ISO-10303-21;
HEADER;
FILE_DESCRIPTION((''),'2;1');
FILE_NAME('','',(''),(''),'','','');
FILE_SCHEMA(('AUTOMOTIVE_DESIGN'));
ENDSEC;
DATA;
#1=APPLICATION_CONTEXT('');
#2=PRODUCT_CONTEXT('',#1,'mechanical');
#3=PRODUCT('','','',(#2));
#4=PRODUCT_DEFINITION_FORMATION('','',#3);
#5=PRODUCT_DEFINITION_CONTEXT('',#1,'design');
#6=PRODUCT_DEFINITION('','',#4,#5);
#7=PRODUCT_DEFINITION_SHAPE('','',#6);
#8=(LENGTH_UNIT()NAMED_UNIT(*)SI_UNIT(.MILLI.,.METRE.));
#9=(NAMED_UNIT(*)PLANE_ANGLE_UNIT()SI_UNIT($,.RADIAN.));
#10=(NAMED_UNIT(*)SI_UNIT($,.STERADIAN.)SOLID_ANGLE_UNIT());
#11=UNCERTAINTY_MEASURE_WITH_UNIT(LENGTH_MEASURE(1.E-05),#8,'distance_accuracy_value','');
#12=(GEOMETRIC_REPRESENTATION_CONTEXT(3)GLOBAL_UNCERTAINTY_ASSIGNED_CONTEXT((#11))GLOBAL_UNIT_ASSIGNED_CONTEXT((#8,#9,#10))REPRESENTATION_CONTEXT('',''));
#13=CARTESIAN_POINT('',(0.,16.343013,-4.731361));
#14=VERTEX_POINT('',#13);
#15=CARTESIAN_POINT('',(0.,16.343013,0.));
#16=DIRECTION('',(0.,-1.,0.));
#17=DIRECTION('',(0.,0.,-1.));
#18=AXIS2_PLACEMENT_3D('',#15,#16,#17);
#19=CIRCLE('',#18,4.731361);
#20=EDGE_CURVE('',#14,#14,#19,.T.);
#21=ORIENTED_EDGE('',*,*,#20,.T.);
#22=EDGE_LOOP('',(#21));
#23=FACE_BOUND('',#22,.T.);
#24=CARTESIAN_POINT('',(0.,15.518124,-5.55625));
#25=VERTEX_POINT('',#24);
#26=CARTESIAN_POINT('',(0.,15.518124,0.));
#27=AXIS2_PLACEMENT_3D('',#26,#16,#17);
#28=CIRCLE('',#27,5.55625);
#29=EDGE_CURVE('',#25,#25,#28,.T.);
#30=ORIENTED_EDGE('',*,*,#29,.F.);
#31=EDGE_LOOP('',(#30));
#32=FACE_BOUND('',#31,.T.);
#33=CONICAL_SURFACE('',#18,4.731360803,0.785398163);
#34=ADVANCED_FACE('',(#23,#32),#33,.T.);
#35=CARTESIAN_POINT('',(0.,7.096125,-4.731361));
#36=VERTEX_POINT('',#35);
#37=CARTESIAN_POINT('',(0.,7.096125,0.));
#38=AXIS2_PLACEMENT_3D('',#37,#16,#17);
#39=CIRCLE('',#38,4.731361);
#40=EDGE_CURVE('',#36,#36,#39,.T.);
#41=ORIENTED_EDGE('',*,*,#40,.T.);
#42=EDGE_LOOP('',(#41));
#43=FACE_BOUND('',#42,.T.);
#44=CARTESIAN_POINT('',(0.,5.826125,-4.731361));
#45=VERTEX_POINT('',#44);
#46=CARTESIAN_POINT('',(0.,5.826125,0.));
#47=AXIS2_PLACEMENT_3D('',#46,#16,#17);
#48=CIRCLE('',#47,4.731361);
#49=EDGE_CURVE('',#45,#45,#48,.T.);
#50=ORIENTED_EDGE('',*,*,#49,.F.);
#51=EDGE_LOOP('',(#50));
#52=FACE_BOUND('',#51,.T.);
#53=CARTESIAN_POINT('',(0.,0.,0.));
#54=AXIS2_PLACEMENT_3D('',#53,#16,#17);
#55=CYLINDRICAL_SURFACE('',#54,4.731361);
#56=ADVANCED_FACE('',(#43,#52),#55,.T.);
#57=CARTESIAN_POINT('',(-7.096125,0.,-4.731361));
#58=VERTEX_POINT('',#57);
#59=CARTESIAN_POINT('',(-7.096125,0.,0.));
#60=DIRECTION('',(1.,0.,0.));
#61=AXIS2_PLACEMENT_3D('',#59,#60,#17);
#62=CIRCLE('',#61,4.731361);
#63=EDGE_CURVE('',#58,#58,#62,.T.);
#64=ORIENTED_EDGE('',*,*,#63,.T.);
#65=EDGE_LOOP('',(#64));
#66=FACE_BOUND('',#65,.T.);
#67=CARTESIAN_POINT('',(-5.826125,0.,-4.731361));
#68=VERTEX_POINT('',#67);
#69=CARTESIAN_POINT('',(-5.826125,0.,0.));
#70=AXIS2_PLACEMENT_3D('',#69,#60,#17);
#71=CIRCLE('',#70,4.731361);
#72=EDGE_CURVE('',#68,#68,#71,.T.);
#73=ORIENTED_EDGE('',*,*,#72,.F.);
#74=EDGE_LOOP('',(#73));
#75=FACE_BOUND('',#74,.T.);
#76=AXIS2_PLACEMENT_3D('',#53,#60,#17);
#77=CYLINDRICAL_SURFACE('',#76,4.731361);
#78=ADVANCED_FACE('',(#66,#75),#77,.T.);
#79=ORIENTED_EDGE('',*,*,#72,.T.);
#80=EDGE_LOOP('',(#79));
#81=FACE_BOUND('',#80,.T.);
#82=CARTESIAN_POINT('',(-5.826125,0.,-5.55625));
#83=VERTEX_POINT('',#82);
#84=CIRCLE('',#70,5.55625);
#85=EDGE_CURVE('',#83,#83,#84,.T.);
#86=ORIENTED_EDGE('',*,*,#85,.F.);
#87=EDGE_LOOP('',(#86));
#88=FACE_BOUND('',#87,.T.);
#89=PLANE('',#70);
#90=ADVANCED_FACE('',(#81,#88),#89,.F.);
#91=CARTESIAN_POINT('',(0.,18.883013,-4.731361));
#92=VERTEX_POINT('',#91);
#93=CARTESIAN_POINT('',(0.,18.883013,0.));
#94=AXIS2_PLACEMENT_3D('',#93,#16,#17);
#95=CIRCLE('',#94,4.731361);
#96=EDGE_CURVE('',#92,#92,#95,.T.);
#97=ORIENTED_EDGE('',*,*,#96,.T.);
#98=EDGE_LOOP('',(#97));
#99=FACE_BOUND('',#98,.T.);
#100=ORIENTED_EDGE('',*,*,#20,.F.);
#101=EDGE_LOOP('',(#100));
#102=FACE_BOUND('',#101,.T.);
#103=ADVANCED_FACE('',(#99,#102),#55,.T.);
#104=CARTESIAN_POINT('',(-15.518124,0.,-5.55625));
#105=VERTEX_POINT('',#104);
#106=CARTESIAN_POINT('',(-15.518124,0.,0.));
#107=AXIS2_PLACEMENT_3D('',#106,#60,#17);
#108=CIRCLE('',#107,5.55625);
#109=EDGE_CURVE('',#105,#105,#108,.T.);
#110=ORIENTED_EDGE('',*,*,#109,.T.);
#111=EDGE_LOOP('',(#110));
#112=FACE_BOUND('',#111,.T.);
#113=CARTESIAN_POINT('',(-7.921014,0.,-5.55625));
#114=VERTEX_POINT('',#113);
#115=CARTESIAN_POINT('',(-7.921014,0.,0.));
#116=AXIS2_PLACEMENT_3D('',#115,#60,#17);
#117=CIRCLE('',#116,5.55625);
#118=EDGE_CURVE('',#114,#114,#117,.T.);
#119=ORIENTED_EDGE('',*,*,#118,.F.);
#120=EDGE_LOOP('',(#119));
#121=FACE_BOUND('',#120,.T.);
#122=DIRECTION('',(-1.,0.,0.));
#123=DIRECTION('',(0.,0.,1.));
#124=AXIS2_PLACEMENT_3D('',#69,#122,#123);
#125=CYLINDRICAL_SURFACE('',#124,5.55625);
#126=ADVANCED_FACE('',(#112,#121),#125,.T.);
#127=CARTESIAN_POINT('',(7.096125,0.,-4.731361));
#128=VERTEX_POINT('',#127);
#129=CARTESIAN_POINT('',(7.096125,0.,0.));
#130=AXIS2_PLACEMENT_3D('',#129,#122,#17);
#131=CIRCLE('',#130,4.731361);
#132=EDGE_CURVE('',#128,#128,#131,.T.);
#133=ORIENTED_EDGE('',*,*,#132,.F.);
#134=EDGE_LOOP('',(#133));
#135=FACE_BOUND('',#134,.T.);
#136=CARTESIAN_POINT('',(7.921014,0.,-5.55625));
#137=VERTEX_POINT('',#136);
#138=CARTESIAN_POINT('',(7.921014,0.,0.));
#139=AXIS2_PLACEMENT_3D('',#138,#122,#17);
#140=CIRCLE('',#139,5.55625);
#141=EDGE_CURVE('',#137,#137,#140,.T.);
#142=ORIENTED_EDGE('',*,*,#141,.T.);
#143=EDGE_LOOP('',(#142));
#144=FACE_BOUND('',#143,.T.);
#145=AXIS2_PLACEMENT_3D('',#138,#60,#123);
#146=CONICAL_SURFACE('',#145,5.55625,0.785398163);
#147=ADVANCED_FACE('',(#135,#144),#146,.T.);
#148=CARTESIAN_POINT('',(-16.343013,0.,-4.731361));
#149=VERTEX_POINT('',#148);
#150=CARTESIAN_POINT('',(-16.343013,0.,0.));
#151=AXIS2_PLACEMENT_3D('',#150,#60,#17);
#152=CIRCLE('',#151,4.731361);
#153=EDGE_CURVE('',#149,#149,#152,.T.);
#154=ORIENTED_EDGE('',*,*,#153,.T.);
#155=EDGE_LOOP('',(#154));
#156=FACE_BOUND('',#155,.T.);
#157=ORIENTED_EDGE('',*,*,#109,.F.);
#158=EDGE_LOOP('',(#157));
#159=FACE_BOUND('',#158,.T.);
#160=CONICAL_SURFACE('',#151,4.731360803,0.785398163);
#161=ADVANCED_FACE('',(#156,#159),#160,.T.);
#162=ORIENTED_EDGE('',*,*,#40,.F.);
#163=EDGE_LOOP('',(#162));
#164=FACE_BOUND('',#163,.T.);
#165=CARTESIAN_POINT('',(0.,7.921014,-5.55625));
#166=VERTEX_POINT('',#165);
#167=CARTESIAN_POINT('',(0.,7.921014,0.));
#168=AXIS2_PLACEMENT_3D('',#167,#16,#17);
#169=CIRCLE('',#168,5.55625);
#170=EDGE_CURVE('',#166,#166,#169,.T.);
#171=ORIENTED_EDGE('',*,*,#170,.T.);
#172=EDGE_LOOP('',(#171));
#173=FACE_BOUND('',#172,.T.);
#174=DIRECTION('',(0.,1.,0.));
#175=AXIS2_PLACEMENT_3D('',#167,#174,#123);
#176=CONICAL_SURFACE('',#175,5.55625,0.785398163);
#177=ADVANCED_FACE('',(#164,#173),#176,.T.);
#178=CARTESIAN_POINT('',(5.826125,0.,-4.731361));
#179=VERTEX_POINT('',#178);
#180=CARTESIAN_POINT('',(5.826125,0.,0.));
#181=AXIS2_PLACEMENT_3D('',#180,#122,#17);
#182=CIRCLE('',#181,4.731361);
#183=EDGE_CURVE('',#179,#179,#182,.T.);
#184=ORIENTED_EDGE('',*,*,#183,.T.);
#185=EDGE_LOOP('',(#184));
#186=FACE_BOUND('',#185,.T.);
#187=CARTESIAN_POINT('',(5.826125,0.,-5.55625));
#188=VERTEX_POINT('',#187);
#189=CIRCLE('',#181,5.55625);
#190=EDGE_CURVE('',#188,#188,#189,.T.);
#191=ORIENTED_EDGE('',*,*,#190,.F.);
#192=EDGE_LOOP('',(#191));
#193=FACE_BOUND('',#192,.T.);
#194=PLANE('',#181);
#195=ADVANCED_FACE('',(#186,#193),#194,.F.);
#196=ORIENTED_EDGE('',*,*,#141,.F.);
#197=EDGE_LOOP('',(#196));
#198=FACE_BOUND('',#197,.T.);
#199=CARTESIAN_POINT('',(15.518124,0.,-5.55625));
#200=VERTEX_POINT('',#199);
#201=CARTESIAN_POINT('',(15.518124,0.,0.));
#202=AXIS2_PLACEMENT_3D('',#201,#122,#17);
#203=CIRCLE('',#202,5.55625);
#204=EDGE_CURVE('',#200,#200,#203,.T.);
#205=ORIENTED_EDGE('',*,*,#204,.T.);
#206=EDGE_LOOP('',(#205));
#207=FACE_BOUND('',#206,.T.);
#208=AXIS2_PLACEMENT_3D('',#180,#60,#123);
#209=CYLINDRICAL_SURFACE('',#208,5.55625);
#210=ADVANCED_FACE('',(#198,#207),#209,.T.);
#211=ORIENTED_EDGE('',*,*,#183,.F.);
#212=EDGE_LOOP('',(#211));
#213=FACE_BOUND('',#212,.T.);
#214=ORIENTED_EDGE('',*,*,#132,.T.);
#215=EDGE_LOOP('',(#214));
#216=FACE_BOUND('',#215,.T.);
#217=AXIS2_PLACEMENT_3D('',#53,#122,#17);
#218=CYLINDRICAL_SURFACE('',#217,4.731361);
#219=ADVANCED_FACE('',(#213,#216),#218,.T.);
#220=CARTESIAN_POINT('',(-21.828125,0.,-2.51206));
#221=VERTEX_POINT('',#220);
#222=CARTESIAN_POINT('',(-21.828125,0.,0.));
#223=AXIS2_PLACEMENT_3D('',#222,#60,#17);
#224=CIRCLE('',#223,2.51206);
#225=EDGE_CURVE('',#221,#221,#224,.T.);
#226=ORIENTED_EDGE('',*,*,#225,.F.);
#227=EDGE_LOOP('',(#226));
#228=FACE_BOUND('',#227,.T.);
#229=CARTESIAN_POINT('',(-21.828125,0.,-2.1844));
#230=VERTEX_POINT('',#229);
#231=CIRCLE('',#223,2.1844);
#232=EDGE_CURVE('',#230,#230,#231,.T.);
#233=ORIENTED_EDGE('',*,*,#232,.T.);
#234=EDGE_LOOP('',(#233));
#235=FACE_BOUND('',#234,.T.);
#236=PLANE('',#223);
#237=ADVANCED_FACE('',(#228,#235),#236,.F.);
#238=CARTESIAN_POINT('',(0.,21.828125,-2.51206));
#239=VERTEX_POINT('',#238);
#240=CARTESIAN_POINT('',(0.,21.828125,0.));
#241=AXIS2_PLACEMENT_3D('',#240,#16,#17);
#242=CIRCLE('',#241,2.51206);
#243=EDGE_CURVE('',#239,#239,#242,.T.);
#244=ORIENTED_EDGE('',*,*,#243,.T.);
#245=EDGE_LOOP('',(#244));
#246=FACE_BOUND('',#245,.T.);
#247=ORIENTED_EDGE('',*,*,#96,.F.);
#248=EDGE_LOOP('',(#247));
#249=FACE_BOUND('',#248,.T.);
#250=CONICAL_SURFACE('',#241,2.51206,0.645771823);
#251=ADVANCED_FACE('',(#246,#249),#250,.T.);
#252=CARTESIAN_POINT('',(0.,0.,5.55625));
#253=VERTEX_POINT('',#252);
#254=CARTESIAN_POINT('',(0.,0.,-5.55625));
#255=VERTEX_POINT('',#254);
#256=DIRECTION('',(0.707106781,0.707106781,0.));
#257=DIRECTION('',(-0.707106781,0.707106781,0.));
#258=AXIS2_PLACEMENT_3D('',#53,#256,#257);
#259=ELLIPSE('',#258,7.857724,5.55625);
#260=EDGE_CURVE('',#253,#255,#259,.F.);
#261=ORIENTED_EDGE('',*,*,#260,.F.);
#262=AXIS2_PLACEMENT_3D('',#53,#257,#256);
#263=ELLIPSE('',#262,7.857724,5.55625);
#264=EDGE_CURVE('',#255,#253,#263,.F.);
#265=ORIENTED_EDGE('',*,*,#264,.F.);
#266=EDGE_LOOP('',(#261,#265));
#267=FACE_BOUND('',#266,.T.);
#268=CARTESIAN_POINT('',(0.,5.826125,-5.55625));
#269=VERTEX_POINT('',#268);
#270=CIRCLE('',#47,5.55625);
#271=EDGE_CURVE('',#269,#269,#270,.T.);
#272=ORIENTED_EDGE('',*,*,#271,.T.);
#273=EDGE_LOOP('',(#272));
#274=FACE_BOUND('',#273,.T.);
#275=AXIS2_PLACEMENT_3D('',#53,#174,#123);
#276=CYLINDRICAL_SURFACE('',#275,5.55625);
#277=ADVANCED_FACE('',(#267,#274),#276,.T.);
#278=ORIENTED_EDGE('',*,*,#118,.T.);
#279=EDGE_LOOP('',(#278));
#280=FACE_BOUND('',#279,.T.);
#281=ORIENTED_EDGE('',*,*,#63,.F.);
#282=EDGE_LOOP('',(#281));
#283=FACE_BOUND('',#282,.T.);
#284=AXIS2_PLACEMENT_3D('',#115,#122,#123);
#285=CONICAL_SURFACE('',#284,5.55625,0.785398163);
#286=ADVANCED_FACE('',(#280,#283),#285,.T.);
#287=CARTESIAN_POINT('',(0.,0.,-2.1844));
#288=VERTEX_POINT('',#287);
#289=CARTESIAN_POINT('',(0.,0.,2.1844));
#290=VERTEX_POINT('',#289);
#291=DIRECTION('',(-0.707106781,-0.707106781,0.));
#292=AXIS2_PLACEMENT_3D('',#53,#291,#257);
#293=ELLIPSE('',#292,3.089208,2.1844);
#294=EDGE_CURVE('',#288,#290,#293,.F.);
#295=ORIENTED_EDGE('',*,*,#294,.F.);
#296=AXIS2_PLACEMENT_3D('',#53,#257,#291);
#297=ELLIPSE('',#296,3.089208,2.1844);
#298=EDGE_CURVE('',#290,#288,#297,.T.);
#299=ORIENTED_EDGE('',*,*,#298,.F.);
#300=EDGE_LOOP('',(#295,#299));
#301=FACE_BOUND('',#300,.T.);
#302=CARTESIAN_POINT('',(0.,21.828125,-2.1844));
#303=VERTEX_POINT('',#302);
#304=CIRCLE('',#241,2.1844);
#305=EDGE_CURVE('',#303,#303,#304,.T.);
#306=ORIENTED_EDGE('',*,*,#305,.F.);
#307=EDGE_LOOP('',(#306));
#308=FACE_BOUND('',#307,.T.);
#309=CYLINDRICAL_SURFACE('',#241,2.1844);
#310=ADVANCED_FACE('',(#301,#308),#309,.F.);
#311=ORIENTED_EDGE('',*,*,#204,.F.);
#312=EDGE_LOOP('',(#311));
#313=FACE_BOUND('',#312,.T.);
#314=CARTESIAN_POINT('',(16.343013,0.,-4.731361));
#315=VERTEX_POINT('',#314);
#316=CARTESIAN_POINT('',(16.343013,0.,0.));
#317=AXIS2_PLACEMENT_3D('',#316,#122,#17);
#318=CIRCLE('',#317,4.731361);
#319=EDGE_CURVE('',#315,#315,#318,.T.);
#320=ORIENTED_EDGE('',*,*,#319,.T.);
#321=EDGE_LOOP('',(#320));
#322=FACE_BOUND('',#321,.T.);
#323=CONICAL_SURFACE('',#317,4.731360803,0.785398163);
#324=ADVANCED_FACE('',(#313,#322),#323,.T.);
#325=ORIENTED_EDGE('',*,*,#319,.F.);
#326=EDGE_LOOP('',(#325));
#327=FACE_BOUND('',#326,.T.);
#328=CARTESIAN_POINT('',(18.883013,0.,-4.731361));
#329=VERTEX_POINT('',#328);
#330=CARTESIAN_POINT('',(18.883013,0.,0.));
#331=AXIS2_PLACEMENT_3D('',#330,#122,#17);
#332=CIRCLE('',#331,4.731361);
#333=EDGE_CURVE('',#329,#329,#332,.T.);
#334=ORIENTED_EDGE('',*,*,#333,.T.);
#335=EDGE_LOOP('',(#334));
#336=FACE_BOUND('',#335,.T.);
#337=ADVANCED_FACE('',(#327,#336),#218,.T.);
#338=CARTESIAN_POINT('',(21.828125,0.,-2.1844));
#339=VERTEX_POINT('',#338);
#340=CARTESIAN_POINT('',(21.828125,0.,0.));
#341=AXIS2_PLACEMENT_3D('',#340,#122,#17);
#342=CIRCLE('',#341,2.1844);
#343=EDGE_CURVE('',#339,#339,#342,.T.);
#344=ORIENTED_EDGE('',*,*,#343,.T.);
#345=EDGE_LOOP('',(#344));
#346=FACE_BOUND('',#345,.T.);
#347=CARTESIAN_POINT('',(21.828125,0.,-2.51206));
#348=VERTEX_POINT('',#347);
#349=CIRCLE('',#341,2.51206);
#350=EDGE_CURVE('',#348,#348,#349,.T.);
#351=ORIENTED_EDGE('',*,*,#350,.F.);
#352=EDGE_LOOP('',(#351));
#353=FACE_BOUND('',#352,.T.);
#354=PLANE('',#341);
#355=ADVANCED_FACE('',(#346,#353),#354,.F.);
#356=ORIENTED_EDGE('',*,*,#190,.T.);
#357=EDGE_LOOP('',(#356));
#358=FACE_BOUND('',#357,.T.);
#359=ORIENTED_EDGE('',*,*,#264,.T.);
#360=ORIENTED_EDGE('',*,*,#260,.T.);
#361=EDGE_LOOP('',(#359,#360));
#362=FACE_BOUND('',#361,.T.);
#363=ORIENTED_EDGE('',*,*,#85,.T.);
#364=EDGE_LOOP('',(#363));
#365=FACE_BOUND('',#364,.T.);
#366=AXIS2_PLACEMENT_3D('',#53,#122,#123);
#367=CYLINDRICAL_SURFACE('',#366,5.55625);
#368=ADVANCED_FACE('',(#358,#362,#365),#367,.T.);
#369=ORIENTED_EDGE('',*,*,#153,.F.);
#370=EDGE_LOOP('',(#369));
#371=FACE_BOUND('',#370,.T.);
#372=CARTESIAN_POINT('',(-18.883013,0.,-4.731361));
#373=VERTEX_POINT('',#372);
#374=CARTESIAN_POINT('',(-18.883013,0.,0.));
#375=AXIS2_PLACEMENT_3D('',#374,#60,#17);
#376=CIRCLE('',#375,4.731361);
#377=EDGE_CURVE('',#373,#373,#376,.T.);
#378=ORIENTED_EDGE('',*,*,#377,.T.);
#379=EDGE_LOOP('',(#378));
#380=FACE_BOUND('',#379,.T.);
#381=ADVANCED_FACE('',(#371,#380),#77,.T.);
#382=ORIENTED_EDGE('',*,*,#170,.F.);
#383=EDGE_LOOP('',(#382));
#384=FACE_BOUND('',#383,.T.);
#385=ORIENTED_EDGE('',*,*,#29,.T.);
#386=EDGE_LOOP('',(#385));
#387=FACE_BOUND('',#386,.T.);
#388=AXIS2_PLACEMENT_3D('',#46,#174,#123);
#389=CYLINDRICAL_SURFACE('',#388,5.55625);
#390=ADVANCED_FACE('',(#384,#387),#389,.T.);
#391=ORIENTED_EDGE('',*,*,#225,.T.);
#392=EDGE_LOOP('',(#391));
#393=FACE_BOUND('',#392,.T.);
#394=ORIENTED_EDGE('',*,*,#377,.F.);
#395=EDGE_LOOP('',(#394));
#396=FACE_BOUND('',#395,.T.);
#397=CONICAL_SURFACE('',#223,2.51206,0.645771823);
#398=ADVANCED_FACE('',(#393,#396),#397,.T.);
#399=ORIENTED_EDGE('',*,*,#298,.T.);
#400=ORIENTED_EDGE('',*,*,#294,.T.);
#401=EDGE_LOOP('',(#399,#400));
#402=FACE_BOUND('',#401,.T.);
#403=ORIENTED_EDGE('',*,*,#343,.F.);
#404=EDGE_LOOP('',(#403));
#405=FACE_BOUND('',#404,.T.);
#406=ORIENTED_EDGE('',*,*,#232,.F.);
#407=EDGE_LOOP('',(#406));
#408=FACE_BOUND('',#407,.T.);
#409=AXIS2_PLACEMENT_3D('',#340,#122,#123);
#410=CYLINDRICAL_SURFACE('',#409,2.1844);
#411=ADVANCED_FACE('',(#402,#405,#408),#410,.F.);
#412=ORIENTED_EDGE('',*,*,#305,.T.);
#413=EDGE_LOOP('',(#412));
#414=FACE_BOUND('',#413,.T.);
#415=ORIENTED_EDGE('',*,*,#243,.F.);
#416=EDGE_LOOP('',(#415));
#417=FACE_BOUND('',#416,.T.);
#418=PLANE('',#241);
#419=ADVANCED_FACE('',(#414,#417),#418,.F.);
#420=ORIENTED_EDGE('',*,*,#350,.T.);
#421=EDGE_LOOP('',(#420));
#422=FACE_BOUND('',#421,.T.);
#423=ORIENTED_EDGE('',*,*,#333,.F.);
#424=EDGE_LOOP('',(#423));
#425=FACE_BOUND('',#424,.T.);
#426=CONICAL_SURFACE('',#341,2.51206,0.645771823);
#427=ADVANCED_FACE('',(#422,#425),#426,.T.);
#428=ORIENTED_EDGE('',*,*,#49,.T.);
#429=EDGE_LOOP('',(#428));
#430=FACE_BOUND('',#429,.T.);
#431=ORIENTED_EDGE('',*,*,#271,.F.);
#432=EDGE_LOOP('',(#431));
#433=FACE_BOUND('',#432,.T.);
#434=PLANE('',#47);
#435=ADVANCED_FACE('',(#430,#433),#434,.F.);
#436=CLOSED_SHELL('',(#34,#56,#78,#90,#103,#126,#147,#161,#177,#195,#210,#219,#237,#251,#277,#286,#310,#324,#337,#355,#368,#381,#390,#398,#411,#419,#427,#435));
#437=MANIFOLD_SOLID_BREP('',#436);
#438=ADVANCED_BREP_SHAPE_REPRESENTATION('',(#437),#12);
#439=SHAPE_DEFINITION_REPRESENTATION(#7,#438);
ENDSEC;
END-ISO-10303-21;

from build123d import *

# Parameters (mm, degrees)
SKETCH2_R           = 5.55625
EXTRUDE1_DEPTH      = 16.002
SKETCH15_R          = 5.55625
BOSS_EXTRUDE1_DEPTH = 5.826125
SKETCH16_R          = 2.1844
CUT_EXTRUDE1_DEPTH  = 24.199372171
CIRPATTERN1_COUNT   = 3
CIRPATTERN1_ANGLE   = 180
SKETCH17_R          = 2.1844
CUT_EXTRUDE2_DEPTH  = 50.124404517
CUT_EXTRUDE3_REACH  = 37.458
SKETCH18_R          = 2.1844


with BuildPart() as part:
    # Sketch2 → Extrude1 (new body)
    with BuildSketch(Plane(origin=(-21.828125, 0, 0), x_dir=(0, 0, -1), z_dir=(1, 0, 0))):
        Circle(SKETCH2_R)
    extrude(amount=EXTRUDE1_DEPTH)

    # Sketch5 → Cut-Revolve1 (revolve, cut)
    with BuildSketch(Plane.XY, mode=Mode.PRIVATE) as cut_revolve1_sk:
        Polygon((-18.883013362, 4.731360803), (-16.343013362, 4.731360803), (-15.518124165, 5.55625), (-21.828125, 5.55625), (-21.828125, 2.51206), align=None)
        Polygon((-5.826125, 4.731360803), (-7.096125, 4.731360803), (-7.921014197, 5.55625), (-5.826125, 5.55625), align=None)
    revolve(cut_revolve1_sk.sketch.rotate(Axis((0, 0, 0), (-1, 0, 0)), 90), axis=Axis((0, 0, 0), (-1, 0, 0)), mode=Mode.SUBTRACT)

    # Sketch15 → Boss-Extrude1 (add)
    with BuildSketch(Plane(origin=(-5.826125, 0, 0), x_dir=(0, 0, -1), z_dir=(1, 0, 0))):
        Circle(SKETCH15_R)
    extrude(amount=BOSS_EXTRUDE1_DEPTH)

    # Sketch16 → Cut-Extrude1 (cut, through all)
    with BuildSketch(Plane(origin=(0, 0, 0), x_dir=(0, 0, -1), z_dir=(1, 0, 0))):
        Circle(SKETCH16_R)
    extrude(amount=-CUT_EXTRUDE1_DEPTH, mode=Mode.SUBTRACT)


with BuildPart() as cirpattern1_1:
    # CirPattern1: pattern copy
    add(part.part.rotate(Axis((0, 0, 0), (0, 0, -1)), 1 * CIRPATTERN1_ANGLE / (CIRPATTERN1_COUNT - 1)))

    # Sketch17 → Cut-Extrude2 (cut, through all)
    with BuildSketch(Plane.ZY.offset(21.828125)):
        with Locations(Location((0, 0, 0), (0, 0, 180))):
            Circle(SKETCH17_R)
    extrude(amount=-CUT_EXTRUDE2_DEPTH, mode=Mode.SUBTRACT)


with BuildPart() as cirpattern1_2:
    # CirPattern1: pattern copy
    add(part.part.rotate(Axis((0, 0, 0), (0, 0, -1)), 2 * CIRPATTERN1_ANGLE / (CIRPATTERN1_COUNT - 1)))


with BuildPart() as cirpattern1_1_1:
    add(cirpattern1_1.part)

    # Combine1: union part, CirPattern1_2
    add(part.part)
    add(cirpattern1_2.part)

    # Sketch18 → Cut-Extrude3 (cut, up to next)
    with BuildSketch(Plane(origin=(0, 21.828125, 0), x_dir=(1, 0, 0), z_dir=(0, 1, 0)), mode=Mode.PRIVATE) as cut_extrude3_sk1:
        with Locations(Location((0, 0, 0), (0, 0, 90))):
            Circle(SKETCH18_R)
    cut_extrude3_tool1 = extrude(cut_extrude3_sk1.sketch, amount=-CUT_EXTRUDE3_REACH, mode=Mode.PRIVATE) & cirpattern1_1_1.part
    add(cut_extrude3_tool1.solids().sort_by_distance((0, 21.828125, 0))[0], mode=Mode.SUBTRACT)


solid = cirpattern1_1_1.part
